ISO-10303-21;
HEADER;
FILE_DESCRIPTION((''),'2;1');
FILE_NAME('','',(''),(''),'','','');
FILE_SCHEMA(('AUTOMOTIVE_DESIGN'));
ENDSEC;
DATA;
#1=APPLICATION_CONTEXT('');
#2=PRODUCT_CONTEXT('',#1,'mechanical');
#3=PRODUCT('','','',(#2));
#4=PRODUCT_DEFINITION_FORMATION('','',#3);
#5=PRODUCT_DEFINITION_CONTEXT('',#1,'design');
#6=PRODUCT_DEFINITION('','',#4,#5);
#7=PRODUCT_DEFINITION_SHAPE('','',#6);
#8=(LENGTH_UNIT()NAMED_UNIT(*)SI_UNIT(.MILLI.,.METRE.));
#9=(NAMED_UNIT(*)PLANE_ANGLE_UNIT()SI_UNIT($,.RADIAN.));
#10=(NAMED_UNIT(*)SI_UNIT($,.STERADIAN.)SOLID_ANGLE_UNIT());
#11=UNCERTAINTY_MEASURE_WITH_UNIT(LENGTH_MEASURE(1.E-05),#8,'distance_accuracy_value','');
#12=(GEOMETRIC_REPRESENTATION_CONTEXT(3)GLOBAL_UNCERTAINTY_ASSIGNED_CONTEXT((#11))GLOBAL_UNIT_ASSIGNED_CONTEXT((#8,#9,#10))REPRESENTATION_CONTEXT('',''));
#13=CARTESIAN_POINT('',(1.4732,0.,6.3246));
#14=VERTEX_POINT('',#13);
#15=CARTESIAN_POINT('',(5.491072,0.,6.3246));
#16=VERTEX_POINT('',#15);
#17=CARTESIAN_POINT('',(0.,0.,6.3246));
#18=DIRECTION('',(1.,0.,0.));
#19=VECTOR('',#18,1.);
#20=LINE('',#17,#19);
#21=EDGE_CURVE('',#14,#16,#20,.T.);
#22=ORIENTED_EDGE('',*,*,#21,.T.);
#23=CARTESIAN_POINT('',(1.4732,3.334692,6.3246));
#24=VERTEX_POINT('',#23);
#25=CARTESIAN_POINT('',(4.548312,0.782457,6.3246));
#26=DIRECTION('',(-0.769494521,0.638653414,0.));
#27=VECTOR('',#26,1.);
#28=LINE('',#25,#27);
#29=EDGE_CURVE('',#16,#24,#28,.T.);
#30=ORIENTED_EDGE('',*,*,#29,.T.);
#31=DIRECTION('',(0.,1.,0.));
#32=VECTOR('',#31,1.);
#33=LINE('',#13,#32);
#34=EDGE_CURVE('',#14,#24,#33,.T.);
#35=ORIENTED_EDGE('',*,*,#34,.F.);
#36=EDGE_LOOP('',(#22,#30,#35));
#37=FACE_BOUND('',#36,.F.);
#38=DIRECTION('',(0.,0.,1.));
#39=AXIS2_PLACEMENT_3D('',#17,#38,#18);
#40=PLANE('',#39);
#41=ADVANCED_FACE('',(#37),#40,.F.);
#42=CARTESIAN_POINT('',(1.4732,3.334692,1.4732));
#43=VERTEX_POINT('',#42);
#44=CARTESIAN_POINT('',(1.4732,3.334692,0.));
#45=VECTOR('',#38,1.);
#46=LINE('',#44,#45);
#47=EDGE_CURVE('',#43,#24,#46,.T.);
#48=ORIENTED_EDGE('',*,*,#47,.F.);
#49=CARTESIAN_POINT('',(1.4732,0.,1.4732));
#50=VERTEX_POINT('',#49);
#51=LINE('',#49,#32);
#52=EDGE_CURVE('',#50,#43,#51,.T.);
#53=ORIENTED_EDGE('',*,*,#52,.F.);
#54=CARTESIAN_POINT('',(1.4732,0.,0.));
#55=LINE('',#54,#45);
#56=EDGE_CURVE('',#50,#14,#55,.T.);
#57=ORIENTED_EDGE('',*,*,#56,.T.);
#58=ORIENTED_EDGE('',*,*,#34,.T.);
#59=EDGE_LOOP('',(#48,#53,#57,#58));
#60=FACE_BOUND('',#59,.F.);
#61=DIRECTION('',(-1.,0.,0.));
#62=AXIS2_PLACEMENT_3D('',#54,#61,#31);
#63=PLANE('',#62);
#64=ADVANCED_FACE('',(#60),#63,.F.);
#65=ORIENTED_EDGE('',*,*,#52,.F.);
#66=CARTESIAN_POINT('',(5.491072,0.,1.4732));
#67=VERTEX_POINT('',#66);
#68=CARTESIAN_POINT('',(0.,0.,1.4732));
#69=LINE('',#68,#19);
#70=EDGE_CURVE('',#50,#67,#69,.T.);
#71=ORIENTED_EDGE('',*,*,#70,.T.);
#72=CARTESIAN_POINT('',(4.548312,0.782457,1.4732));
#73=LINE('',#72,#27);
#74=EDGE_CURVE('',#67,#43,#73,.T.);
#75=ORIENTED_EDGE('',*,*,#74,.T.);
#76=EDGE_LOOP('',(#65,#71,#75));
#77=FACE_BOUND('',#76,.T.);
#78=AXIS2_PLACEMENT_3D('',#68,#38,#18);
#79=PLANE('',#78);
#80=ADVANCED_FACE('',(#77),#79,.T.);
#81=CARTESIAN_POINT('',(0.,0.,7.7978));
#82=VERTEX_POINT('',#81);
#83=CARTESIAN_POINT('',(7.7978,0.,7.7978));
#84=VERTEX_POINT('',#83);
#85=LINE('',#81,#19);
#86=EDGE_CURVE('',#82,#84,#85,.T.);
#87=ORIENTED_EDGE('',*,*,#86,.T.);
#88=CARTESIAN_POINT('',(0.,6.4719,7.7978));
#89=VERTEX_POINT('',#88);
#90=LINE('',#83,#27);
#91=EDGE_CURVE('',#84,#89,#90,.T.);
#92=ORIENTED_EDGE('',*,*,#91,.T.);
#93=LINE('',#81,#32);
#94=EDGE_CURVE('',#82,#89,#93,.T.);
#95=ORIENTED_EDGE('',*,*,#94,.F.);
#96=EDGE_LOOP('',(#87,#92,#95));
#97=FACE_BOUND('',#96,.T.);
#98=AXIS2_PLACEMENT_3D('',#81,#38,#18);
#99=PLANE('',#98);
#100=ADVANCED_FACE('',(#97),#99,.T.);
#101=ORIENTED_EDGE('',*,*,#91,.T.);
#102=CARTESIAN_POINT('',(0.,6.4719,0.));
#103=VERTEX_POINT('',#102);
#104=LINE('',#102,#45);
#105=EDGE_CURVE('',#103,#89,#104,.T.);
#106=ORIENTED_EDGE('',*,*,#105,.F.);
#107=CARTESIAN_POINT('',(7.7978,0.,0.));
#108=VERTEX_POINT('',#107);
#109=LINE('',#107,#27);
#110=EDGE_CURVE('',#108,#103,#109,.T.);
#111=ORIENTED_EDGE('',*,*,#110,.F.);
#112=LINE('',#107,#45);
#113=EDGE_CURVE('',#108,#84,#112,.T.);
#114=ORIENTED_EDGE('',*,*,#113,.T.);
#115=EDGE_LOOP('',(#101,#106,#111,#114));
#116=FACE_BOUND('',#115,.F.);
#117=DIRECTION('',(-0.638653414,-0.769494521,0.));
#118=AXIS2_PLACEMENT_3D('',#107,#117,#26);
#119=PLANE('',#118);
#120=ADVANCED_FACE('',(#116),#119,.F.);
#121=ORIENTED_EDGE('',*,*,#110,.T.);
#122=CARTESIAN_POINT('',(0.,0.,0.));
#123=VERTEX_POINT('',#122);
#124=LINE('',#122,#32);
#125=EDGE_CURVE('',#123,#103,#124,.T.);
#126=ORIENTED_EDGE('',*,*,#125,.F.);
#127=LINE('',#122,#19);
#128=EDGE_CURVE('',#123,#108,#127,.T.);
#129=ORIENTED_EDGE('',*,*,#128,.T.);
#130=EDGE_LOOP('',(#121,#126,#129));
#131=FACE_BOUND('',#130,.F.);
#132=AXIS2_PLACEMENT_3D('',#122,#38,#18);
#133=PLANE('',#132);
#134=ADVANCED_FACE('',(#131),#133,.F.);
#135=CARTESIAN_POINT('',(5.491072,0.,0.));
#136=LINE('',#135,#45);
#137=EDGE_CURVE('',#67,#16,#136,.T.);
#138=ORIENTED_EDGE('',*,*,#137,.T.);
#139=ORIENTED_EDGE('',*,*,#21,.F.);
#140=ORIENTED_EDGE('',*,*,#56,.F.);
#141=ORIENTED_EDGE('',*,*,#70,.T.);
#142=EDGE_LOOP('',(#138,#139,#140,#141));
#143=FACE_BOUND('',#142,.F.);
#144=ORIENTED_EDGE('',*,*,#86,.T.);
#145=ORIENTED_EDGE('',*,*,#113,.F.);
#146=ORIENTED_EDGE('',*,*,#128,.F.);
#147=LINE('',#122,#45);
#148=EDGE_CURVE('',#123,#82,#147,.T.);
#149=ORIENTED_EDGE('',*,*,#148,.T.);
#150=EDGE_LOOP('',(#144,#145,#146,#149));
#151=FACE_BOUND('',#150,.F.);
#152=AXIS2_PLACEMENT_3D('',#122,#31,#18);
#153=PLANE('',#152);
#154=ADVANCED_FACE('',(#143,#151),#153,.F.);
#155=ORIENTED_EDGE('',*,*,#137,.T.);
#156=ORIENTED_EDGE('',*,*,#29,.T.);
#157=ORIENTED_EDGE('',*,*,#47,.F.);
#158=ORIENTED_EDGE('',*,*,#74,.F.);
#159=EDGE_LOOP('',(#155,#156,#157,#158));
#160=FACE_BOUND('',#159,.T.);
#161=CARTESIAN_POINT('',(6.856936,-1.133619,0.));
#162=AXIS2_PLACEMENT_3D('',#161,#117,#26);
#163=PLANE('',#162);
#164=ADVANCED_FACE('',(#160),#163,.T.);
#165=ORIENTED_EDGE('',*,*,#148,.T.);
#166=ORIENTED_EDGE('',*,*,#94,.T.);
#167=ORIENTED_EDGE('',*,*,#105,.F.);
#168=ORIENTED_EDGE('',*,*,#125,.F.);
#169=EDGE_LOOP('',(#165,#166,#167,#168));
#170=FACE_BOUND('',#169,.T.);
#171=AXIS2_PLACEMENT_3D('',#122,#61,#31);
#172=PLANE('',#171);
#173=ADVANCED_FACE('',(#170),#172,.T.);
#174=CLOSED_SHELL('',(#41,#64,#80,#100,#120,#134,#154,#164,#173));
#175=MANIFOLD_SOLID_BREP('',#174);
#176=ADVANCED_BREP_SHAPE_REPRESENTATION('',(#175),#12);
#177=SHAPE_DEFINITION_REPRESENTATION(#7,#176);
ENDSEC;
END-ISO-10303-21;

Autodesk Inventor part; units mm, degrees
ref_plane "YZ Plane" through (0, 0, 0) normal (1, 0, 0) x (0, 1, 0)
ref_plane "XZ Plane" through (0, 0, 0) normal (0, 1, 0) x (-1, 0, 0)
ref_plane "XY Plane" through (0, 0, 0) normal (0, 0, 1) x (1, 0, 0)
sketch "Sketch1" plane through (0, 0, 0) normal (0, 0, 1) x (1, 0, 0)
  line L0 (0, 0) -> (0, 6.4719)
  line L1 (0, 0) -> (7.7978, 0)
  line L2 (7.7978, 0) -> (0, 6.4719)
  dimension "d0" = 6.4719
  dimension "d1" = 7.7978
extrude "Extrusion1" add sketch "Sketch1" along normal blind 7.7978
shell "Shell1" thickness 1.4732 removed faces 1 at (5.1985, 0, 2.5993)
properties part number "Transparent Grey Peice" material "ABS Plastic"
